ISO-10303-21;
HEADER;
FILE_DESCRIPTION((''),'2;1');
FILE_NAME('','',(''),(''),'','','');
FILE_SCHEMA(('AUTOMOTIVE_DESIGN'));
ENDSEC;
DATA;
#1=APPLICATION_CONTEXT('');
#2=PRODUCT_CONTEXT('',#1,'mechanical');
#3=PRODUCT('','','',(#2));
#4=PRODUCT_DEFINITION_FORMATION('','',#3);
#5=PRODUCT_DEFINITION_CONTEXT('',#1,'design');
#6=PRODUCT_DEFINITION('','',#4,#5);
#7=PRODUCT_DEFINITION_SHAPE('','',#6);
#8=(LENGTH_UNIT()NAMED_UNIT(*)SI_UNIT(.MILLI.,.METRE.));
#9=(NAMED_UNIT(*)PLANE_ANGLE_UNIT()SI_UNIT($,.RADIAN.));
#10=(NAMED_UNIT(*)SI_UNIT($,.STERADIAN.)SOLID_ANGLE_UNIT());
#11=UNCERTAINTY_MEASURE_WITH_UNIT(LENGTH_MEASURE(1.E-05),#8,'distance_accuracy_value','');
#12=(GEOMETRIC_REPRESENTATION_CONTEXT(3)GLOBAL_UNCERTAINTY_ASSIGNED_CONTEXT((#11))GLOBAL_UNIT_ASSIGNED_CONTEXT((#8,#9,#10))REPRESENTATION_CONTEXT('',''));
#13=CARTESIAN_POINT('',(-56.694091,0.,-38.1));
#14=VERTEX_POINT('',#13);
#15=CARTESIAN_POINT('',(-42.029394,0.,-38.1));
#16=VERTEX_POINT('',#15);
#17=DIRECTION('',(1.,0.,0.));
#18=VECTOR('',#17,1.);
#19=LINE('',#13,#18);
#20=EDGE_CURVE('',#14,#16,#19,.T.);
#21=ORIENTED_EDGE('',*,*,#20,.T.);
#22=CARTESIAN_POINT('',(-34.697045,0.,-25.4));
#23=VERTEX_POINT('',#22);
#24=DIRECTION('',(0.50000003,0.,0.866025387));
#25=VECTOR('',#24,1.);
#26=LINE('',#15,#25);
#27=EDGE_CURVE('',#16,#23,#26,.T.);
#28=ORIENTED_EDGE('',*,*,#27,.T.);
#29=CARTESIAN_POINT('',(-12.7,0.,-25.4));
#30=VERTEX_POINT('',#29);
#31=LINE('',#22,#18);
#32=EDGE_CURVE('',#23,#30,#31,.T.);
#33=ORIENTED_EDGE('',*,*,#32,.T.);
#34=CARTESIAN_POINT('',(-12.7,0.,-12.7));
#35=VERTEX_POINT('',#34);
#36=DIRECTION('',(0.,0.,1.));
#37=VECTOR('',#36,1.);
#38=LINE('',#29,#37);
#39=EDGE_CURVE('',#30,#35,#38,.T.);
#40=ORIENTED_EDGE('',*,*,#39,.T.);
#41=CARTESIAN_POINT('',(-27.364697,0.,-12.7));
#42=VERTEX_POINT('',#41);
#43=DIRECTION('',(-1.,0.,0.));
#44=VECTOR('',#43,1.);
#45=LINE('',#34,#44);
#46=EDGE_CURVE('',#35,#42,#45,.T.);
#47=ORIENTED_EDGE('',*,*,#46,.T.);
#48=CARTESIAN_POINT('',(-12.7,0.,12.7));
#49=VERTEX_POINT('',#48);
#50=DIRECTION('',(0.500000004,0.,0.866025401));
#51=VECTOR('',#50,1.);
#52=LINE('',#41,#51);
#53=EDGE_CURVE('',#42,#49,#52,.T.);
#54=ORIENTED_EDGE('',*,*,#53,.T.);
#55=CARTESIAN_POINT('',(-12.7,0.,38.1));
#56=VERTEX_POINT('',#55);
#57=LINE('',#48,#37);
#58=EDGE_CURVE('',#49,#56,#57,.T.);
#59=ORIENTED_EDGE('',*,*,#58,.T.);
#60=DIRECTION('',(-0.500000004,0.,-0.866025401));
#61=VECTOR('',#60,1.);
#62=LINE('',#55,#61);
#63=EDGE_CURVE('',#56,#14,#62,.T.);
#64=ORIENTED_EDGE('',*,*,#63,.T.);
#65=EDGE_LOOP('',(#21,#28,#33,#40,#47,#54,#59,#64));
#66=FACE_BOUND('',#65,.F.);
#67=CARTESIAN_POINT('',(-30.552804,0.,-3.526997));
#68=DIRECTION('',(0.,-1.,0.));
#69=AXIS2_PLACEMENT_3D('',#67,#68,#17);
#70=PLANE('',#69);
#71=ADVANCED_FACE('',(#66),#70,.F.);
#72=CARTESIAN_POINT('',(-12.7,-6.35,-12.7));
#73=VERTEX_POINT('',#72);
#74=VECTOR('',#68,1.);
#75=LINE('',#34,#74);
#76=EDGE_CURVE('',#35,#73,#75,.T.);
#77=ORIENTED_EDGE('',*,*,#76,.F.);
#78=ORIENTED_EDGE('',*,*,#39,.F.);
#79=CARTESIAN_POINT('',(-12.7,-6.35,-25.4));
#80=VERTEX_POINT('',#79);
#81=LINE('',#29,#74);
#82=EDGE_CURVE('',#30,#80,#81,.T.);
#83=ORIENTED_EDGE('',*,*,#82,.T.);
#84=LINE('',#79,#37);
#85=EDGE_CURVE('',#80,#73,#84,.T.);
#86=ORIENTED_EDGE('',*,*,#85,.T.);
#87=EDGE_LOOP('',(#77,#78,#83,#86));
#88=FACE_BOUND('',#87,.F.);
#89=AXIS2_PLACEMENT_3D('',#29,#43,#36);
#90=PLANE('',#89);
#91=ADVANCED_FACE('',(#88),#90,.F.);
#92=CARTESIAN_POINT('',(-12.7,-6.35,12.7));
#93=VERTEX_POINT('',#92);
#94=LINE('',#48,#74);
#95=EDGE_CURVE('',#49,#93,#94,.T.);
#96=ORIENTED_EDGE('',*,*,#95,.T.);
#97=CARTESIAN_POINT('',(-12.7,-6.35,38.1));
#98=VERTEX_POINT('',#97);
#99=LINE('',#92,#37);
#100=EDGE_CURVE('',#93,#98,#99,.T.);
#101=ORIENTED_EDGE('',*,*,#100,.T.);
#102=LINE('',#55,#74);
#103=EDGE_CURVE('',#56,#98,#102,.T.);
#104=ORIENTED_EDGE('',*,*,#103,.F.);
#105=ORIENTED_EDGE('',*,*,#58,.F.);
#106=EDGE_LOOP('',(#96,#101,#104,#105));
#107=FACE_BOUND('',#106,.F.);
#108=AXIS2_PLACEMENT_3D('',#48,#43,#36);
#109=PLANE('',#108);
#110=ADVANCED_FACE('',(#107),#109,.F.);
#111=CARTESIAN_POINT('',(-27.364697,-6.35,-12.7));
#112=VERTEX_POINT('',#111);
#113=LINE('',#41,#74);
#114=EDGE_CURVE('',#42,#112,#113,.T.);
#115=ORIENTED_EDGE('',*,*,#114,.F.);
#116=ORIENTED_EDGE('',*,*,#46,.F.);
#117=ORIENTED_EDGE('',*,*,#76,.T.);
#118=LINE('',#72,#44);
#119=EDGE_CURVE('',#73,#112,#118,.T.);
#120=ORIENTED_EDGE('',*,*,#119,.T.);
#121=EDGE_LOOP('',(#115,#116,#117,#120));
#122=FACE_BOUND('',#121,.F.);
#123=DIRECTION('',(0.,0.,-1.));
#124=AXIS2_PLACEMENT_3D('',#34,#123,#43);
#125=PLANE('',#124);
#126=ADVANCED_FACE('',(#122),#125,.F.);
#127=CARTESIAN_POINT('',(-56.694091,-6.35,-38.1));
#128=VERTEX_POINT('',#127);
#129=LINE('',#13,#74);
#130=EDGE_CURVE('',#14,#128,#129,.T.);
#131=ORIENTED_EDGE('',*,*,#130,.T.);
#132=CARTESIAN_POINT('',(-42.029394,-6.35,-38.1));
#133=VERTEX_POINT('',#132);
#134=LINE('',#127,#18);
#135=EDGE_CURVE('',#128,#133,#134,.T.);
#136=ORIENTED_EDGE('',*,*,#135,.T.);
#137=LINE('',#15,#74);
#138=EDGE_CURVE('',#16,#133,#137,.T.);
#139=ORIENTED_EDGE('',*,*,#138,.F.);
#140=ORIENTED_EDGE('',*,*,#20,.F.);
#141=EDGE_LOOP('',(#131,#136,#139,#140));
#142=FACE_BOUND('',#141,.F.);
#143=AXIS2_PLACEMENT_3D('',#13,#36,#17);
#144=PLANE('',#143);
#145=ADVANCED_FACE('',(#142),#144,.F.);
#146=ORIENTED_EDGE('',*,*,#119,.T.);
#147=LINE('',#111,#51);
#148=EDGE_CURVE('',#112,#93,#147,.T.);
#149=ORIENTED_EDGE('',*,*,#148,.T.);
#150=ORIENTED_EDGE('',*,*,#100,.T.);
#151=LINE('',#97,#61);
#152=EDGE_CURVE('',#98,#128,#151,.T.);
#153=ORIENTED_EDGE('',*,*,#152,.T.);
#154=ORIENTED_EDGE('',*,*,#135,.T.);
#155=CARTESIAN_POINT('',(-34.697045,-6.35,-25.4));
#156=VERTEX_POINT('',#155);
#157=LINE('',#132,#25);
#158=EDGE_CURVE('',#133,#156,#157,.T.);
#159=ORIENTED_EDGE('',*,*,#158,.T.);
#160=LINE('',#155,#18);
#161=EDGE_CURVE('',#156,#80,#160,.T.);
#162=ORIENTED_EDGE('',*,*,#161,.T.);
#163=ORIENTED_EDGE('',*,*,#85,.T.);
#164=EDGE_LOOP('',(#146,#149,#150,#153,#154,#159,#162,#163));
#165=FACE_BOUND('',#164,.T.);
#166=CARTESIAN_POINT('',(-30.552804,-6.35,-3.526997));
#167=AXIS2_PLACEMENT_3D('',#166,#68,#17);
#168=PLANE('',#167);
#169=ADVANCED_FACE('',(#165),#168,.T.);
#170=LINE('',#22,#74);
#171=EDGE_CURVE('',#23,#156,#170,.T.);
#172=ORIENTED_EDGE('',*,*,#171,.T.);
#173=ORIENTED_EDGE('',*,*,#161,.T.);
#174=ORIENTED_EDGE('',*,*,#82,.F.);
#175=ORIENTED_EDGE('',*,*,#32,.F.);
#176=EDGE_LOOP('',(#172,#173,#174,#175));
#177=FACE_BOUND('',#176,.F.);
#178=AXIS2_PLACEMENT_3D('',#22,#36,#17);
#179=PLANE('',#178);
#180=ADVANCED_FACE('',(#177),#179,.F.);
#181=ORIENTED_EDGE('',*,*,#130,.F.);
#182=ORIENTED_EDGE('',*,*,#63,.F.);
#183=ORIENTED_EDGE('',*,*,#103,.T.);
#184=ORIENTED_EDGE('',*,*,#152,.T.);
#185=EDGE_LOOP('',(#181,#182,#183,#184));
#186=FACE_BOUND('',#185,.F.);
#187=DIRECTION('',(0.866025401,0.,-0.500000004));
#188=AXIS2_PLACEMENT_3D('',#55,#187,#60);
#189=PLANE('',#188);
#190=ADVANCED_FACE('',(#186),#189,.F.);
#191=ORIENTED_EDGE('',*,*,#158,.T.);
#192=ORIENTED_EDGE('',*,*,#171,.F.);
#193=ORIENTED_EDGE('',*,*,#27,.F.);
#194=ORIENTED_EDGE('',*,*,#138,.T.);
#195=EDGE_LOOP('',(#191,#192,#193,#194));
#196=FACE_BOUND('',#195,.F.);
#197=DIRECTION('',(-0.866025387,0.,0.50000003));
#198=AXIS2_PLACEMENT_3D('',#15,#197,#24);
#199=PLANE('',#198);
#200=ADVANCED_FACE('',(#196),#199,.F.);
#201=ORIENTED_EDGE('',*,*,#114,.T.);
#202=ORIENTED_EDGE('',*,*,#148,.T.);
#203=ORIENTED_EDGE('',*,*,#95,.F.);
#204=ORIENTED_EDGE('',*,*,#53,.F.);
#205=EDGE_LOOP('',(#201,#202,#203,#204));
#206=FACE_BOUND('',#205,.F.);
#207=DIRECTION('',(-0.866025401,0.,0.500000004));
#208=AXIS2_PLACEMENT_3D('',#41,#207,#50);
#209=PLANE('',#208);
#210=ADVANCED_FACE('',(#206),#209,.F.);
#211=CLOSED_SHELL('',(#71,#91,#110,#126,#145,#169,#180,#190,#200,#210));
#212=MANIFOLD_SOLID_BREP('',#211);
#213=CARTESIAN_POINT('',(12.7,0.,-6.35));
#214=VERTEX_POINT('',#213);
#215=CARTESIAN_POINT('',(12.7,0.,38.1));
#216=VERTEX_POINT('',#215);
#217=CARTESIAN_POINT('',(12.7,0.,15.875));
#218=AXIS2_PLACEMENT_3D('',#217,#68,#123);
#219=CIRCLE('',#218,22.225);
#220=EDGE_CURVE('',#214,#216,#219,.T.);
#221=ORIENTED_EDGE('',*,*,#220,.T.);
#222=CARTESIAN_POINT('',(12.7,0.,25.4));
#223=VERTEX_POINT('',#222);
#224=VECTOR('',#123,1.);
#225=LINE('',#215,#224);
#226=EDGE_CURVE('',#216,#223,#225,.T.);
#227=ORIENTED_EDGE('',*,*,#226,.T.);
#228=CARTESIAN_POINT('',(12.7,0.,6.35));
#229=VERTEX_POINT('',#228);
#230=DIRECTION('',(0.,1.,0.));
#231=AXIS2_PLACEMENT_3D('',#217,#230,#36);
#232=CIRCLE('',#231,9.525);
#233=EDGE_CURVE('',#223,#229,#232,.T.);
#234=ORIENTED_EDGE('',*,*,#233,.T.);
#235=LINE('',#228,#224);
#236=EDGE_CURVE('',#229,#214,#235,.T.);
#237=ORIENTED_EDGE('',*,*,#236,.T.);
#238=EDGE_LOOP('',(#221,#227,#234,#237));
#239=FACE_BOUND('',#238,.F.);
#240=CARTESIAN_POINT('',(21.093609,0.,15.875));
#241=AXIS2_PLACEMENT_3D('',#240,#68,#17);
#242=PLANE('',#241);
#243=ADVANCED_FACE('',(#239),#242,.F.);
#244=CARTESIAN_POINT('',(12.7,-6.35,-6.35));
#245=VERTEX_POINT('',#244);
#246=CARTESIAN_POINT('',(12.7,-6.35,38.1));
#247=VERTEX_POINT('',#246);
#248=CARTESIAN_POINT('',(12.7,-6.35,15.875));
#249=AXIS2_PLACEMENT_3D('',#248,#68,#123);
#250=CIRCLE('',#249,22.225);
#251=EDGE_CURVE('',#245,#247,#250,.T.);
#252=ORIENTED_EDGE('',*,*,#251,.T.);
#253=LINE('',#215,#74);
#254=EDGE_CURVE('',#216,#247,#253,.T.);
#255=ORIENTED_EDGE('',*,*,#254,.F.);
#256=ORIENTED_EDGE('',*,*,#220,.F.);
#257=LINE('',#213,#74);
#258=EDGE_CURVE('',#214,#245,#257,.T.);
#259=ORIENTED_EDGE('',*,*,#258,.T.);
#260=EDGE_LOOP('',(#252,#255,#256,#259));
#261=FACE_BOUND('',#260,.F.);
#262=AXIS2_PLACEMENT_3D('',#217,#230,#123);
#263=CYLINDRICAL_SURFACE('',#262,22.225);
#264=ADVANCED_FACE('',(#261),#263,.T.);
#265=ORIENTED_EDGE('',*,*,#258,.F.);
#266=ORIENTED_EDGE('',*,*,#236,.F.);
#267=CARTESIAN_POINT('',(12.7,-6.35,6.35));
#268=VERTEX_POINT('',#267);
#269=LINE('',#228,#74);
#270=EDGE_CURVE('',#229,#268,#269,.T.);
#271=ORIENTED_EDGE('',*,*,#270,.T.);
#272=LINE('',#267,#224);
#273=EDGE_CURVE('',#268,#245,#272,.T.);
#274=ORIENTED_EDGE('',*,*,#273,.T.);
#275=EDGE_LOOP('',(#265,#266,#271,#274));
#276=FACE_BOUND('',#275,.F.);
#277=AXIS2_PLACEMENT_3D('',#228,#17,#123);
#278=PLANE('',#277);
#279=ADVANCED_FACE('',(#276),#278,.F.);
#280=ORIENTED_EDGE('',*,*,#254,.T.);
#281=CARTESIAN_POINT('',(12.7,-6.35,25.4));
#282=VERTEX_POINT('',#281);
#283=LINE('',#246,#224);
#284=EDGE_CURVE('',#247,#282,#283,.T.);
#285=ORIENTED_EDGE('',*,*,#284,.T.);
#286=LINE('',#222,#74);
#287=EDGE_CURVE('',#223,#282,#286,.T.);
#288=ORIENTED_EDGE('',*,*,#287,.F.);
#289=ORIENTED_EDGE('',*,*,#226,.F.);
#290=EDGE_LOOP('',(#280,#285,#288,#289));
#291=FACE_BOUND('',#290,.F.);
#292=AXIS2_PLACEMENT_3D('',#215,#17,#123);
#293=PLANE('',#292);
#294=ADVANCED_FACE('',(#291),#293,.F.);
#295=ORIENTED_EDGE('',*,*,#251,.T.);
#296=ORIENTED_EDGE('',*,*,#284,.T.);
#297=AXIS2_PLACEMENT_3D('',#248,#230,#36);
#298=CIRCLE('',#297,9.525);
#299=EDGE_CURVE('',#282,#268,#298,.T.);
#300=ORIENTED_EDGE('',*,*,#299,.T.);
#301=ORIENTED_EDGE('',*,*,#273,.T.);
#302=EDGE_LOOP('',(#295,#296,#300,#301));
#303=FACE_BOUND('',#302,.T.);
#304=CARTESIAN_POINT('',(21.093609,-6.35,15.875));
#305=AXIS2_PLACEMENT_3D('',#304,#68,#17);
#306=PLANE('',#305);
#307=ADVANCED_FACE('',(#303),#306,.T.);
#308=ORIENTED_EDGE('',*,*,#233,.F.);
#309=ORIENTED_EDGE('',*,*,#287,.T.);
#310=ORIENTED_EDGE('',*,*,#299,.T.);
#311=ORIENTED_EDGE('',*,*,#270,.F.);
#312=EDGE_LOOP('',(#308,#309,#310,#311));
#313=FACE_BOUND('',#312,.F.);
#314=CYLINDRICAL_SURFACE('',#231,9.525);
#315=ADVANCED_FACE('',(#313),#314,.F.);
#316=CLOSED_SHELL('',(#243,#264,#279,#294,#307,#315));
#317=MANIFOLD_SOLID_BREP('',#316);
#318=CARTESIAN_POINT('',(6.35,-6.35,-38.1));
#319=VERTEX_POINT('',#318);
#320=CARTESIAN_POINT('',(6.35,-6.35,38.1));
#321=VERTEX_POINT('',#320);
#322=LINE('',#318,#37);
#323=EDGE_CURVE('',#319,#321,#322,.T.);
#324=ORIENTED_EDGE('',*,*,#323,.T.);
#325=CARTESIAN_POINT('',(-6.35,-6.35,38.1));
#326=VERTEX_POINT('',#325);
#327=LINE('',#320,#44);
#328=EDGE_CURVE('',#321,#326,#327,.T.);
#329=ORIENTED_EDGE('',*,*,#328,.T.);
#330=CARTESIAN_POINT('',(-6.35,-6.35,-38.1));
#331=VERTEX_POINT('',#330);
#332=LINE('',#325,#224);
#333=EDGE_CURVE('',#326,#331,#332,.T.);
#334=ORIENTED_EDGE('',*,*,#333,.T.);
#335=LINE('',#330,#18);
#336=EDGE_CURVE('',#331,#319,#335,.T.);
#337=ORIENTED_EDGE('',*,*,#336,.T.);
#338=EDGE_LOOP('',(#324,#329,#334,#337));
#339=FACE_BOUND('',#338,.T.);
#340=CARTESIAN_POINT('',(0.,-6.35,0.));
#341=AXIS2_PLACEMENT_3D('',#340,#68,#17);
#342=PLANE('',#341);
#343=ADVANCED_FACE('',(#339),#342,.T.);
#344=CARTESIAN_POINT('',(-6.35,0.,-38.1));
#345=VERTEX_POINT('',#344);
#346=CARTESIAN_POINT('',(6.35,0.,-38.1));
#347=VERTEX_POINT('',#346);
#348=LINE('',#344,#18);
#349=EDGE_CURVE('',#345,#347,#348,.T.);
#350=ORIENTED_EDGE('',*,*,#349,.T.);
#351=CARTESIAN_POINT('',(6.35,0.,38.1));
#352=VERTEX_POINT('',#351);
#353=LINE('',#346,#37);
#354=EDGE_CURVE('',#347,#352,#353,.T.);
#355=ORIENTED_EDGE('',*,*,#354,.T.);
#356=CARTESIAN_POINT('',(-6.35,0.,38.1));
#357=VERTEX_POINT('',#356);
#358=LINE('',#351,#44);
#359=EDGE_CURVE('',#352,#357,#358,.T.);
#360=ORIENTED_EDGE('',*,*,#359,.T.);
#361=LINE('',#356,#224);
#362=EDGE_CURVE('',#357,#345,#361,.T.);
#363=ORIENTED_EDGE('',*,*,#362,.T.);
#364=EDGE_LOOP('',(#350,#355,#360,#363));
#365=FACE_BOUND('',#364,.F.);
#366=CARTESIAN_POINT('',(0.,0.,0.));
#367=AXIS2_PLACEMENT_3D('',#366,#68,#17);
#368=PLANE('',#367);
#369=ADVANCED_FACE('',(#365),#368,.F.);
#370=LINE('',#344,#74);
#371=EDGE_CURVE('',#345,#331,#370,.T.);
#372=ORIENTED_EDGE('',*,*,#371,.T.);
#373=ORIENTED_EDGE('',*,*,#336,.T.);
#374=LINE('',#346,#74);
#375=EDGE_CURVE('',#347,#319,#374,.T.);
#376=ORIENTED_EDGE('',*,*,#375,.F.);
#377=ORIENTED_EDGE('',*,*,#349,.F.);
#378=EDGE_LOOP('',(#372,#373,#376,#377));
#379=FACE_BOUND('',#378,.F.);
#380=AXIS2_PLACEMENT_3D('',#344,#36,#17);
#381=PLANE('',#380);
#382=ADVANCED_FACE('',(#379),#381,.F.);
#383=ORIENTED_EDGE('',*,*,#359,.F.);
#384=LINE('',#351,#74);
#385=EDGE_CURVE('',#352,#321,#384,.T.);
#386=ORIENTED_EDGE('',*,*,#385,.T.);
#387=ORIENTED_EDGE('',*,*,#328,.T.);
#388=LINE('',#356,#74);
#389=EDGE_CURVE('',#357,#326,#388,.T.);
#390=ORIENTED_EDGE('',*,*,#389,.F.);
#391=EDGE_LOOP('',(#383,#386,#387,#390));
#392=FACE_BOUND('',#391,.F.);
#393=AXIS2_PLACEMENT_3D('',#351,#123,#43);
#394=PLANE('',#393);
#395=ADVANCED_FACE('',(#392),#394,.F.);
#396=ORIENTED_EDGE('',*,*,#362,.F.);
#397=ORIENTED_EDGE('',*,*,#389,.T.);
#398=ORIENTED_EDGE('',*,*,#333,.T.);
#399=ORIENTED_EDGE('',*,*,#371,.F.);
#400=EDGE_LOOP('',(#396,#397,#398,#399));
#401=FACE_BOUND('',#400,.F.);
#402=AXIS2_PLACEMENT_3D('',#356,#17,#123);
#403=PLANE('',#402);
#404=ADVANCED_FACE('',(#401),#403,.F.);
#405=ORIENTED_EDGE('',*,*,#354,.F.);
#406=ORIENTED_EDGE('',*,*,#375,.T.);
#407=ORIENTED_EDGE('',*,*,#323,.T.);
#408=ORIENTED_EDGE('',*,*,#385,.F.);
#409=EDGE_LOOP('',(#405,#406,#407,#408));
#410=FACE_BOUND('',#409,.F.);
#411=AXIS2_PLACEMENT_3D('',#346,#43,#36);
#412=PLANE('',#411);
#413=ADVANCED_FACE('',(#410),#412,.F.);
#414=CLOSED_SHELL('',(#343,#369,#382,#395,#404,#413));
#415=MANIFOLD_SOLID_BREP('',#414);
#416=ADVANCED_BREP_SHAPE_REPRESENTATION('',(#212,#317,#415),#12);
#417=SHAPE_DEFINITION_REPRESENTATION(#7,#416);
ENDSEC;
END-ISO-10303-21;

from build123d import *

# Parameters (mm, degrees)
F1_DEPTH = 6.35


with BuildPart() as f1:
    # F0 (on Front) → F1 (new body)
    with BuildSketch(Plane.XZ):
        Polygon((-12.7, 12.7), (-12.7, 38.1), (-56.694091, -38.1), (-42.029394, -38.1), (-34.697045, -25.4), (-27.364697, -12.7), align=None)
        Polygon((6.35, 38.1), (-6.35, 38.1), (-6.35, 12.7), (-6.35, -12.7), (-6.35, -25.4), (-6.35, -38.1), (6.35, -38.1), (6.35, -6.35), (6.35, 6.35), (6.35, 25.4), align=None)
        with BuildLine():
            ThreePointArc((12.7, -6.35), (34.925, 15.875), (12.7, 38.1))
            Line((12.7, 38.1), (12.7, 25.4))
            ThreePointArc((12.7, 25.4), (22.225, 15.875), (12.7, 6.35))
            Line((12.7, 6.35), (12.7, -6.35))
        make_face()
        Polygon((-12.7, -25.4), (-12.7, -12.7), (-27.364697, -12.7), (-34.697045, -25.4), align=None)
    extrude(amount=F1_DEPTH)


solid = f1.part
